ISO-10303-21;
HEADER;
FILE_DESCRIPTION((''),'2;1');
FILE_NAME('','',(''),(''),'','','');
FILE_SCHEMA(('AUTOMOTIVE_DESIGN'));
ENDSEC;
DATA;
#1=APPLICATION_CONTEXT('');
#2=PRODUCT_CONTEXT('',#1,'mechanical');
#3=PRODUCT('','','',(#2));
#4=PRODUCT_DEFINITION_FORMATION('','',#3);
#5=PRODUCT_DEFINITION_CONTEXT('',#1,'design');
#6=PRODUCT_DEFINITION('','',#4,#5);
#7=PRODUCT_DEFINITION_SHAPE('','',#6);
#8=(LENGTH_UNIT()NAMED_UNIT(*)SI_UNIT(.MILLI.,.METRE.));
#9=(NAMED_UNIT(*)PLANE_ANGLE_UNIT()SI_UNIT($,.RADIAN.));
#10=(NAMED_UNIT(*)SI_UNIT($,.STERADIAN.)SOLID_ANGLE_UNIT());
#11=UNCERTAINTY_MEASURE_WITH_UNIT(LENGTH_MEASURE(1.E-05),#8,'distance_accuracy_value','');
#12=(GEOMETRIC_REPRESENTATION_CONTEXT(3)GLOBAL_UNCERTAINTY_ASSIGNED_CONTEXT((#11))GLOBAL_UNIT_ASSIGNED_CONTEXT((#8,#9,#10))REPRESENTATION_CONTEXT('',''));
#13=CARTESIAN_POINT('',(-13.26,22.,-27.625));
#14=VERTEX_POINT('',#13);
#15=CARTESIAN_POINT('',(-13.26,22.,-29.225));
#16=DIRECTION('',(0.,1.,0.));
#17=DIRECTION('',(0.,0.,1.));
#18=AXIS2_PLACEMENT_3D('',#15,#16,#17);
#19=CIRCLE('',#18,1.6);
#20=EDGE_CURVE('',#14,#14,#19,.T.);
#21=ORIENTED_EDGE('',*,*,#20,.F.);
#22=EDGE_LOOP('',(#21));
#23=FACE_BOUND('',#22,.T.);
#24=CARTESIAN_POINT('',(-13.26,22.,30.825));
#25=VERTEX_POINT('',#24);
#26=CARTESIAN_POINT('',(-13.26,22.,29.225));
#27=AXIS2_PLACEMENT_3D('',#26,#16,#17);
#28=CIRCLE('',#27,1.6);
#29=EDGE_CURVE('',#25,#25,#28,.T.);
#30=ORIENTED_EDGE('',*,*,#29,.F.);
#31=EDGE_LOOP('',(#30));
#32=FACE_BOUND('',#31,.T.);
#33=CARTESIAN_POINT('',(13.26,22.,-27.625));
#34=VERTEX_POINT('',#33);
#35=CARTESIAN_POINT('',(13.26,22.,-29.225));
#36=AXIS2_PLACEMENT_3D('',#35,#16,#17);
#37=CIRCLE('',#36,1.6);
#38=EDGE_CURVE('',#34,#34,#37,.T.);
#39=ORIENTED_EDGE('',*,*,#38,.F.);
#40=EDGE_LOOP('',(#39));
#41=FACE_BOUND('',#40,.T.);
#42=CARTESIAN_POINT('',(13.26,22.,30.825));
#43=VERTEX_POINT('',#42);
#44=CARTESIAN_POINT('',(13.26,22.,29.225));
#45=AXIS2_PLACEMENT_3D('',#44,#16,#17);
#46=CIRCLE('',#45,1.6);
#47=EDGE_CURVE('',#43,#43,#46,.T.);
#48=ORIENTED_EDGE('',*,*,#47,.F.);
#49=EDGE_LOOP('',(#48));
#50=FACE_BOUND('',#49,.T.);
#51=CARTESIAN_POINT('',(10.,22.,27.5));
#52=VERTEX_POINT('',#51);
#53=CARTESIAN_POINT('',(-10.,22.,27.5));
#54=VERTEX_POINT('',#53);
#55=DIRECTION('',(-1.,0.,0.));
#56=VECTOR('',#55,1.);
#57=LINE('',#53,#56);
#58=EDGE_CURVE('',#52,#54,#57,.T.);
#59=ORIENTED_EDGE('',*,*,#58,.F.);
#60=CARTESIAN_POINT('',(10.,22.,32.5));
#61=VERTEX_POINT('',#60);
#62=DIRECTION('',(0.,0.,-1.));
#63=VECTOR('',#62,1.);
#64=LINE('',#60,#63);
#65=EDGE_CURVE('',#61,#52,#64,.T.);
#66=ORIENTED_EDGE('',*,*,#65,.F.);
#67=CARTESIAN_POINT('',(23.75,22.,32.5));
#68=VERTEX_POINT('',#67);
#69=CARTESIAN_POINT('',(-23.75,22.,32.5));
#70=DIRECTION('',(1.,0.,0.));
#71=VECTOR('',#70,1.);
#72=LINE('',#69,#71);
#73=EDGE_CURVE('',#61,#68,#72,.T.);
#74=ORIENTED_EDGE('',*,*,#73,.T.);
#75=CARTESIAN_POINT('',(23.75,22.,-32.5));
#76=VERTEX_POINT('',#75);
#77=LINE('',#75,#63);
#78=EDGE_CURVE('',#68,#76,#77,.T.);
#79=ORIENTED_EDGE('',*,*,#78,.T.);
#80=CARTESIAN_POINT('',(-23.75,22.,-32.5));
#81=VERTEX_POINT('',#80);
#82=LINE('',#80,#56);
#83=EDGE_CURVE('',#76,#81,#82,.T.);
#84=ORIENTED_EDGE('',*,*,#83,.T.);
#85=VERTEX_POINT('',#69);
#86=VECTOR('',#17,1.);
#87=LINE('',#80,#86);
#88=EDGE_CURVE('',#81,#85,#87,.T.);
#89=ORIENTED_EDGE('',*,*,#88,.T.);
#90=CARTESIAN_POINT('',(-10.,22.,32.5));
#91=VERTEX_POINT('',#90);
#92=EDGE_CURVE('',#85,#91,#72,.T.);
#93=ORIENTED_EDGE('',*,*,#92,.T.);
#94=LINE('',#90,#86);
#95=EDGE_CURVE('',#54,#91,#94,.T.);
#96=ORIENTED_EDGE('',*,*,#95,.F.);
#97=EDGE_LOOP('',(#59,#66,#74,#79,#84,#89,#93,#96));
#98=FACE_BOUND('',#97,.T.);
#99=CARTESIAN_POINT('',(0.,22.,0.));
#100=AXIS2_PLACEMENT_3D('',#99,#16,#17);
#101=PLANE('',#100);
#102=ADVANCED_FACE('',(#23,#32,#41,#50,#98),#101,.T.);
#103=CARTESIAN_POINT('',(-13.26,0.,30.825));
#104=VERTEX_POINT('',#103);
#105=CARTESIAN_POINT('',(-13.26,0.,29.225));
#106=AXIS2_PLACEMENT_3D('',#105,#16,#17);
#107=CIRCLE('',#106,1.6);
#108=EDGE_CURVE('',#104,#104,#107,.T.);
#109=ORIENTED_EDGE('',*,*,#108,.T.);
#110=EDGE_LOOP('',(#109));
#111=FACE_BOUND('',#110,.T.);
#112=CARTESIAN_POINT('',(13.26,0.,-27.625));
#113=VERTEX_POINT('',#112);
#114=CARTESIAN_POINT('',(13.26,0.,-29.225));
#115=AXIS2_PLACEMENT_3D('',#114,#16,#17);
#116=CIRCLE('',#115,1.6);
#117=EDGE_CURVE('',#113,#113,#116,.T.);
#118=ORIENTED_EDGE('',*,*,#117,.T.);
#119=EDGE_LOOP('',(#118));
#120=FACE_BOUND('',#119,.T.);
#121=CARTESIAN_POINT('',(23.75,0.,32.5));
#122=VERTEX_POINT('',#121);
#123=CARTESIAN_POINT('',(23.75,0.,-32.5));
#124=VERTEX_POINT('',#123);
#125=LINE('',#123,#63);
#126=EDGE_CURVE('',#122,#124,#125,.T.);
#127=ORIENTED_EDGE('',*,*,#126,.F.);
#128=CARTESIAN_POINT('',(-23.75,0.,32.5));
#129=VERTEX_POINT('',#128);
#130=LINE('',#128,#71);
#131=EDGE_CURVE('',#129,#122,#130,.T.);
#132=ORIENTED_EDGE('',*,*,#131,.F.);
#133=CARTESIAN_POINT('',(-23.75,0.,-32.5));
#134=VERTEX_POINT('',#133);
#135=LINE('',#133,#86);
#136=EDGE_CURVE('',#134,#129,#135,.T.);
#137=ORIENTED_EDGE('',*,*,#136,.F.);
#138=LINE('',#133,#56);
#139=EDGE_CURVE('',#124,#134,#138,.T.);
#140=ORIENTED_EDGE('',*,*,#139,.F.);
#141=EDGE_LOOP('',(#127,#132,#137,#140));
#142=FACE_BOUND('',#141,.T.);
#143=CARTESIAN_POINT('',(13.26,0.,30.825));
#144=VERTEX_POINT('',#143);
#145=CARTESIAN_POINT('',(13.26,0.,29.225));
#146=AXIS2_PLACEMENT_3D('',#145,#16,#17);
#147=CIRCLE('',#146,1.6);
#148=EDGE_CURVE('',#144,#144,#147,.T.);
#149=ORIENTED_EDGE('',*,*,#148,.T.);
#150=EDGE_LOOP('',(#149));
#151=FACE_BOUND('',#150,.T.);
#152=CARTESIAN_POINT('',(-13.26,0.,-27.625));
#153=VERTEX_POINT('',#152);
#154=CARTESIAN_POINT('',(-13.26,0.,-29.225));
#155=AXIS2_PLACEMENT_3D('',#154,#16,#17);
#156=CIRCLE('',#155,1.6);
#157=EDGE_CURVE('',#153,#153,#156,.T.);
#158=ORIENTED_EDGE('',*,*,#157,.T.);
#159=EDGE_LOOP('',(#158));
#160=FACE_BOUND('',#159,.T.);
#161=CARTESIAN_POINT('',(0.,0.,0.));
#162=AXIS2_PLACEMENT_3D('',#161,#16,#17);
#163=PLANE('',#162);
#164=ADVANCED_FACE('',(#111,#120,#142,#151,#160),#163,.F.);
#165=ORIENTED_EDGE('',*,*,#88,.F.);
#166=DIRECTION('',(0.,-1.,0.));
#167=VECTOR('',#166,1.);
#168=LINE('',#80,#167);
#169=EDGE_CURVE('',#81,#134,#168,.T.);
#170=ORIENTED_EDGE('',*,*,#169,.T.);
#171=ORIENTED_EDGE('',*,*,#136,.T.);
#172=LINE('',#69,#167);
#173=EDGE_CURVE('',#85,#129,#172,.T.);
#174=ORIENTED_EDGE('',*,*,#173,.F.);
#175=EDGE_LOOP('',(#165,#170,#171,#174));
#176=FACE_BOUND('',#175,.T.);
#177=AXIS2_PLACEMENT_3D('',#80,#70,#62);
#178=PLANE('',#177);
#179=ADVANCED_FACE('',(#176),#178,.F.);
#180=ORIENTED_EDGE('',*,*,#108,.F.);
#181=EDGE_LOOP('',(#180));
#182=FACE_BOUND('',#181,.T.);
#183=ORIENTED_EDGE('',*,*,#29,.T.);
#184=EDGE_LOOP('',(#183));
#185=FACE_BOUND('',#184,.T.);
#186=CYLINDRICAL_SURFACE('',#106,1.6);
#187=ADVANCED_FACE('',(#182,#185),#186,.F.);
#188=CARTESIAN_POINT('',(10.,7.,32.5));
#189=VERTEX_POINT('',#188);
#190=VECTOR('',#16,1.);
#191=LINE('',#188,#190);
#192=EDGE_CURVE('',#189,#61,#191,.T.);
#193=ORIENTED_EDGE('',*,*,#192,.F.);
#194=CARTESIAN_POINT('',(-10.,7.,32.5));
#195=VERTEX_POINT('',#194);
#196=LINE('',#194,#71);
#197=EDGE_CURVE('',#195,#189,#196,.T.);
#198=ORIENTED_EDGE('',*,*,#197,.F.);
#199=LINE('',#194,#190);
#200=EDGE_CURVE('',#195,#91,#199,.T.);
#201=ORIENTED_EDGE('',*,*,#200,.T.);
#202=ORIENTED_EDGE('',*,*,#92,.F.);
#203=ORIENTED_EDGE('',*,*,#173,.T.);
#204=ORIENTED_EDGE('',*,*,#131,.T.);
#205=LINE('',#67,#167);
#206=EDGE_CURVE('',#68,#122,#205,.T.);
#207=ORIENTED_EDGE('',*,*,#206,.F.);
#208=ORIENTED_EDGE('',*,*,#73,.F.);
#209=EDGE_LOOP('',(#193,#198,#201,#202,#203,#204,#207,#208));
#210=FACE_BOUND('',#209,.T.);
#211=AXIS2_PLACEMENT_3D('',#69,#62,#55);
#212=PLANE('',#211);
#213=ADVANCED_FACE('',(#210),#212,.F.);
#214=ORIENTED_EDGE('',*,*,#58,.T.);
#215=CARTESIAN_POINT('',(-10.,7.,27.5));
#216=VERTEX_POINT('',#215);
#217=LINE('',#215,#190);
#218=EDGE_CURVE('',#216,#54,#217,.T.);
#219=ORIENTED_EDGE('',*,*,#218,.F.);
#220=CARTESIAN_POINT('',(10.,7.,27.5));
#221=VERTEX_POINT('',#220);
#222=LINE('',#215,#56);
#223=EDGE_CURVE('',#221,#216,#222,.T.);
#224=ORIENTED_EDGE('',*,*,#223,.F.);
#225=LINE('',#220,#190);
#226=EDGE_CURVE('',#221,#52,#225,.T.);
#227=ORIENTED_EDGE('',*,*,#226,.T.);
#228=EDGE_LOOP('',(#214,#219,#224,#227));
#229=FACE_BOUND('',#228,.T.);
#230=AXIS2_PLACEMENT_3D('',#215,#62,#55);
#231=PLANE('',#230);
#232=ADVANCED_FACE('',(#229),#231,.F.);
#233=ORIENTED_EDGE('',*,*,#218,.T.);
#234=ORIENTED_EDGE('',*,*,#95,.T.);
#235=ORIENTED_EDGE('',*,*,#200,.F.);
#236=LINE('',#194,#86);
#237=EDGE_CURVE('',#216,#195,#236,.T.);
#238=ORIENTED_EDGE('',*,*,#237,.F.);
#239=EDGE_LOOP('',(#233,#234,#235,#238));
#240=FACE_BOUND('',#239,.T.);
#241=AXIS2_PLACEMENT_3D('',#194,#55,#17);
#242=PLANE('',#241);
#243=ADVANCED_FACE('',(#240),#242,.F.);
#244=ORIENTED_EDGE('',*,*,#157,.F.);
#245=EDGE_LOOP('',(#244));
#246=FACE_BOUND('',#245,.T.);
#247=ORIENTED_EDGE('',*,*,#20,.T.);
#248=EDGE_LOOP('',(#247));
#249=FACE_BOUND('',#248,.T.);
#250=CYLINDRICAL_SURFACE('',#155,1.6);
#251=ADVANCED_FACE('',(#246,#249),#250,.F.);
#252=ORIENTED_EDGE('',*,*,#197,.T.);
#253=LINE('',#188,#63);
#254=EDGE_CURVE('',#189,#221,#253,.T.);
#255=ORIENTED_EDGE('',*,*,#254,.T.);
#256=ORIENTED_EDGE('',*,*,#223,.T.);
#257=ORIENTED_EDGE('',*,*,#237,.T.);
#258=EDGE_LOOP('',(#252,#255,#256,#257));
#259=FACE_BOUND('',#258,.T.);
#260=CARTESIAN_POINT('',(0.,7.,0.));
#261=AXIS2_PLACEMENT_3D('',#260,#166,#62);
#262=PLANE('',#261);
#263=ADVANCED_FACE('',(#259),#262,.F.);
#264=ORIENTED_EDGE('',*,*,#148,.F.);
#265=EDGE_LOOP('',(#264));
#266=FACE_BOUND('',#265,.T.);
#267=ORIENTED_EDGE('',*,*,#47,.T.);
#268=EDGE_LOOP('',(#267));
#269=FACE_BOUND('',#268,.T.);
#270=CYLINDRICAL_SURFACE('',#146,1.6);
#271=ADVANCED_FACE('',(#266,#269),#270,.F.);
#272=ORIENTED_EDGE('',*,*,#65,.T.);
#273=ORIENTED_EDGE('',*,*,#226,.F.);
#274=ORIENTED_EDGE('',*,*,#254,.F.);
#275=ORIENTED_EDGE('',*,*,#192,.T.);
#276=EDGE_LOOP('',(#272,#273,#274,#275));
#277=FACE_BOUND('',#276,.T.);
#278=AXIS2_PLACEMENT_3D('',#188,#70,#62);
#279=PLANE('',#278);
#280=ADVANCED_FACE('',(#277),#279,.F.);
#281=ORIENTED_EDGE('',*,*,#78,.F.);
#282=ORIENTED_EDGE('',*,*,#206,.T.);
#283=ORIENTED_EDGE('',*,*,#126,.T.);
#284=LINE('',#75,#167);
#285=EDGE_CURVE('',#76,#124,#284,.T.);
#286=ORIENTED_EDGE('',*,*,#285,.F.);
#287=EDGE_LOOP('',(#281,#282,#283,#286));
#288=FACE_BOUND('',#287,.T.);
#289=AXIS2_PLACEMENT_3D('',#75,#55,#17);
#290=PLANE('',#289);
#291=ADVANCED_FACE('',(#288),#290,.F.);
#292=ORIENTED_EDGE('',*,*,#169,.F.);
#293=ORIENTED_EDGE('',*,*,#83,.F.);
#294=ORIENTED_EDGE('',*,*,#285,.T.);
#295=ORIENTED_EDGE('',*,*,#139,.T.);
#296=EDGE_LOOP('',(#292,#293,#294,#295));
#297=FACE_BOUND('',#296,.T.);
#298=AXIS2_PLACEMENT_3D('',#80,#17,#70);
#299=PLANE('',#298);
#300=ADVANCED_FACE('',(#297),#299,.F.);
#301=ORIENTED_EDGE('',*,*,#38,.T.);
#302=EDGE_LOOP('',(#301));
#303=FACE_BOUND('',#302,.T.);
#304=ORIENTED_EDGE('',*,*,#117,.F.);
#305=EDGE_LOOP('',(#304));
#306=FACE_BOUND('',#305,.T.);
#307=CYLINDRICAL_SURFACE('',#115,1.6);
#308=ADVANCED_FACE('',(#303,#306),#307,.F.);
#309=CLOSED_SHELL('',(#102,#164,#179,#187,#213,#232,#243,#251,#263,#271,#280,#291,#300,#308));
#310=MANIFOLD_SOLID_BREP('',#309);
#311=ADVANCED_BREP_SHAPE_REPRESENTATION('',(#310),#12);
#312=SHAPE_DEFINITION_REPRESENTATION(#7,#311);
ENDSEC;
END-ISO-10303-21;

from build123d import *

# Parameters (mm, degrees)
SKETCH1_W           = 47.5
SKETCH1_H           = 65
BOSS_EXTRUDE1_DEPTH = 22
SKETCH2_R           = 1.6
CUT_EXTRUDE1_DEPTH  = 46.87278605
SKETCH4_W           = 20
SKETCH4_H           = 5
CUT_EXTRUDE2_DEPTH  = 15


with BuildPart() as part:
    # Sketch1 → Boss-Extrude1 (new body)
    with BuildSketch(Plane(origin=(0, 0, 0), x_dir=(1, 0, 0), z_dir=(0, 1, 0))):
        Rectangle(SKETCH1_W, SKETCH1_H)
    extrude(amount=BOSS_EXTRUDE1_DEPTH)

    # Sketch2 → Cut-Extrude1 (cut, through all)
    with BuildSketch(Plane(origin=(0, 22, 0), x_dir=(1, 0, 0), z_dir=(0, 1, 0))):
        with Locations(Location((-13.26, 29.225, 0), (0, 0, 270))):
            Circle(SKETCH2_R)
        with Locations(Location((13.26, 29.225, 0), (0, 0, 270))):
            Circle(SKETCH2_R)
        with Locations(Location((13.26, -29.225, 0), (0, 0, 270))):
            Circle(SKETCH2_R)
        with Locations(Location((-13.26, -29.225, 0), (0, 0, 270))):
            Circle(SKETCH2_R)
    extrude(amount=-CUT_EXTRUDE1_DEPTH, mode=Mode.SUBTRACT)

    # Sketch4 → Cut-Extrude2 (cut)
    with BuildSketch(Plane(origin=(0, 22, 0), x_dir=(1, 0, 0), z_dir=(0, 1, 0))):
        with Locations((0, -30)):
            Rectangle(SKETCH4_W, SKETCH4_H)
    extrude(amount=-CUT_EXTRUDE2_DEPTH, mode=Mode.SUBTRACT)


solid = part.part
